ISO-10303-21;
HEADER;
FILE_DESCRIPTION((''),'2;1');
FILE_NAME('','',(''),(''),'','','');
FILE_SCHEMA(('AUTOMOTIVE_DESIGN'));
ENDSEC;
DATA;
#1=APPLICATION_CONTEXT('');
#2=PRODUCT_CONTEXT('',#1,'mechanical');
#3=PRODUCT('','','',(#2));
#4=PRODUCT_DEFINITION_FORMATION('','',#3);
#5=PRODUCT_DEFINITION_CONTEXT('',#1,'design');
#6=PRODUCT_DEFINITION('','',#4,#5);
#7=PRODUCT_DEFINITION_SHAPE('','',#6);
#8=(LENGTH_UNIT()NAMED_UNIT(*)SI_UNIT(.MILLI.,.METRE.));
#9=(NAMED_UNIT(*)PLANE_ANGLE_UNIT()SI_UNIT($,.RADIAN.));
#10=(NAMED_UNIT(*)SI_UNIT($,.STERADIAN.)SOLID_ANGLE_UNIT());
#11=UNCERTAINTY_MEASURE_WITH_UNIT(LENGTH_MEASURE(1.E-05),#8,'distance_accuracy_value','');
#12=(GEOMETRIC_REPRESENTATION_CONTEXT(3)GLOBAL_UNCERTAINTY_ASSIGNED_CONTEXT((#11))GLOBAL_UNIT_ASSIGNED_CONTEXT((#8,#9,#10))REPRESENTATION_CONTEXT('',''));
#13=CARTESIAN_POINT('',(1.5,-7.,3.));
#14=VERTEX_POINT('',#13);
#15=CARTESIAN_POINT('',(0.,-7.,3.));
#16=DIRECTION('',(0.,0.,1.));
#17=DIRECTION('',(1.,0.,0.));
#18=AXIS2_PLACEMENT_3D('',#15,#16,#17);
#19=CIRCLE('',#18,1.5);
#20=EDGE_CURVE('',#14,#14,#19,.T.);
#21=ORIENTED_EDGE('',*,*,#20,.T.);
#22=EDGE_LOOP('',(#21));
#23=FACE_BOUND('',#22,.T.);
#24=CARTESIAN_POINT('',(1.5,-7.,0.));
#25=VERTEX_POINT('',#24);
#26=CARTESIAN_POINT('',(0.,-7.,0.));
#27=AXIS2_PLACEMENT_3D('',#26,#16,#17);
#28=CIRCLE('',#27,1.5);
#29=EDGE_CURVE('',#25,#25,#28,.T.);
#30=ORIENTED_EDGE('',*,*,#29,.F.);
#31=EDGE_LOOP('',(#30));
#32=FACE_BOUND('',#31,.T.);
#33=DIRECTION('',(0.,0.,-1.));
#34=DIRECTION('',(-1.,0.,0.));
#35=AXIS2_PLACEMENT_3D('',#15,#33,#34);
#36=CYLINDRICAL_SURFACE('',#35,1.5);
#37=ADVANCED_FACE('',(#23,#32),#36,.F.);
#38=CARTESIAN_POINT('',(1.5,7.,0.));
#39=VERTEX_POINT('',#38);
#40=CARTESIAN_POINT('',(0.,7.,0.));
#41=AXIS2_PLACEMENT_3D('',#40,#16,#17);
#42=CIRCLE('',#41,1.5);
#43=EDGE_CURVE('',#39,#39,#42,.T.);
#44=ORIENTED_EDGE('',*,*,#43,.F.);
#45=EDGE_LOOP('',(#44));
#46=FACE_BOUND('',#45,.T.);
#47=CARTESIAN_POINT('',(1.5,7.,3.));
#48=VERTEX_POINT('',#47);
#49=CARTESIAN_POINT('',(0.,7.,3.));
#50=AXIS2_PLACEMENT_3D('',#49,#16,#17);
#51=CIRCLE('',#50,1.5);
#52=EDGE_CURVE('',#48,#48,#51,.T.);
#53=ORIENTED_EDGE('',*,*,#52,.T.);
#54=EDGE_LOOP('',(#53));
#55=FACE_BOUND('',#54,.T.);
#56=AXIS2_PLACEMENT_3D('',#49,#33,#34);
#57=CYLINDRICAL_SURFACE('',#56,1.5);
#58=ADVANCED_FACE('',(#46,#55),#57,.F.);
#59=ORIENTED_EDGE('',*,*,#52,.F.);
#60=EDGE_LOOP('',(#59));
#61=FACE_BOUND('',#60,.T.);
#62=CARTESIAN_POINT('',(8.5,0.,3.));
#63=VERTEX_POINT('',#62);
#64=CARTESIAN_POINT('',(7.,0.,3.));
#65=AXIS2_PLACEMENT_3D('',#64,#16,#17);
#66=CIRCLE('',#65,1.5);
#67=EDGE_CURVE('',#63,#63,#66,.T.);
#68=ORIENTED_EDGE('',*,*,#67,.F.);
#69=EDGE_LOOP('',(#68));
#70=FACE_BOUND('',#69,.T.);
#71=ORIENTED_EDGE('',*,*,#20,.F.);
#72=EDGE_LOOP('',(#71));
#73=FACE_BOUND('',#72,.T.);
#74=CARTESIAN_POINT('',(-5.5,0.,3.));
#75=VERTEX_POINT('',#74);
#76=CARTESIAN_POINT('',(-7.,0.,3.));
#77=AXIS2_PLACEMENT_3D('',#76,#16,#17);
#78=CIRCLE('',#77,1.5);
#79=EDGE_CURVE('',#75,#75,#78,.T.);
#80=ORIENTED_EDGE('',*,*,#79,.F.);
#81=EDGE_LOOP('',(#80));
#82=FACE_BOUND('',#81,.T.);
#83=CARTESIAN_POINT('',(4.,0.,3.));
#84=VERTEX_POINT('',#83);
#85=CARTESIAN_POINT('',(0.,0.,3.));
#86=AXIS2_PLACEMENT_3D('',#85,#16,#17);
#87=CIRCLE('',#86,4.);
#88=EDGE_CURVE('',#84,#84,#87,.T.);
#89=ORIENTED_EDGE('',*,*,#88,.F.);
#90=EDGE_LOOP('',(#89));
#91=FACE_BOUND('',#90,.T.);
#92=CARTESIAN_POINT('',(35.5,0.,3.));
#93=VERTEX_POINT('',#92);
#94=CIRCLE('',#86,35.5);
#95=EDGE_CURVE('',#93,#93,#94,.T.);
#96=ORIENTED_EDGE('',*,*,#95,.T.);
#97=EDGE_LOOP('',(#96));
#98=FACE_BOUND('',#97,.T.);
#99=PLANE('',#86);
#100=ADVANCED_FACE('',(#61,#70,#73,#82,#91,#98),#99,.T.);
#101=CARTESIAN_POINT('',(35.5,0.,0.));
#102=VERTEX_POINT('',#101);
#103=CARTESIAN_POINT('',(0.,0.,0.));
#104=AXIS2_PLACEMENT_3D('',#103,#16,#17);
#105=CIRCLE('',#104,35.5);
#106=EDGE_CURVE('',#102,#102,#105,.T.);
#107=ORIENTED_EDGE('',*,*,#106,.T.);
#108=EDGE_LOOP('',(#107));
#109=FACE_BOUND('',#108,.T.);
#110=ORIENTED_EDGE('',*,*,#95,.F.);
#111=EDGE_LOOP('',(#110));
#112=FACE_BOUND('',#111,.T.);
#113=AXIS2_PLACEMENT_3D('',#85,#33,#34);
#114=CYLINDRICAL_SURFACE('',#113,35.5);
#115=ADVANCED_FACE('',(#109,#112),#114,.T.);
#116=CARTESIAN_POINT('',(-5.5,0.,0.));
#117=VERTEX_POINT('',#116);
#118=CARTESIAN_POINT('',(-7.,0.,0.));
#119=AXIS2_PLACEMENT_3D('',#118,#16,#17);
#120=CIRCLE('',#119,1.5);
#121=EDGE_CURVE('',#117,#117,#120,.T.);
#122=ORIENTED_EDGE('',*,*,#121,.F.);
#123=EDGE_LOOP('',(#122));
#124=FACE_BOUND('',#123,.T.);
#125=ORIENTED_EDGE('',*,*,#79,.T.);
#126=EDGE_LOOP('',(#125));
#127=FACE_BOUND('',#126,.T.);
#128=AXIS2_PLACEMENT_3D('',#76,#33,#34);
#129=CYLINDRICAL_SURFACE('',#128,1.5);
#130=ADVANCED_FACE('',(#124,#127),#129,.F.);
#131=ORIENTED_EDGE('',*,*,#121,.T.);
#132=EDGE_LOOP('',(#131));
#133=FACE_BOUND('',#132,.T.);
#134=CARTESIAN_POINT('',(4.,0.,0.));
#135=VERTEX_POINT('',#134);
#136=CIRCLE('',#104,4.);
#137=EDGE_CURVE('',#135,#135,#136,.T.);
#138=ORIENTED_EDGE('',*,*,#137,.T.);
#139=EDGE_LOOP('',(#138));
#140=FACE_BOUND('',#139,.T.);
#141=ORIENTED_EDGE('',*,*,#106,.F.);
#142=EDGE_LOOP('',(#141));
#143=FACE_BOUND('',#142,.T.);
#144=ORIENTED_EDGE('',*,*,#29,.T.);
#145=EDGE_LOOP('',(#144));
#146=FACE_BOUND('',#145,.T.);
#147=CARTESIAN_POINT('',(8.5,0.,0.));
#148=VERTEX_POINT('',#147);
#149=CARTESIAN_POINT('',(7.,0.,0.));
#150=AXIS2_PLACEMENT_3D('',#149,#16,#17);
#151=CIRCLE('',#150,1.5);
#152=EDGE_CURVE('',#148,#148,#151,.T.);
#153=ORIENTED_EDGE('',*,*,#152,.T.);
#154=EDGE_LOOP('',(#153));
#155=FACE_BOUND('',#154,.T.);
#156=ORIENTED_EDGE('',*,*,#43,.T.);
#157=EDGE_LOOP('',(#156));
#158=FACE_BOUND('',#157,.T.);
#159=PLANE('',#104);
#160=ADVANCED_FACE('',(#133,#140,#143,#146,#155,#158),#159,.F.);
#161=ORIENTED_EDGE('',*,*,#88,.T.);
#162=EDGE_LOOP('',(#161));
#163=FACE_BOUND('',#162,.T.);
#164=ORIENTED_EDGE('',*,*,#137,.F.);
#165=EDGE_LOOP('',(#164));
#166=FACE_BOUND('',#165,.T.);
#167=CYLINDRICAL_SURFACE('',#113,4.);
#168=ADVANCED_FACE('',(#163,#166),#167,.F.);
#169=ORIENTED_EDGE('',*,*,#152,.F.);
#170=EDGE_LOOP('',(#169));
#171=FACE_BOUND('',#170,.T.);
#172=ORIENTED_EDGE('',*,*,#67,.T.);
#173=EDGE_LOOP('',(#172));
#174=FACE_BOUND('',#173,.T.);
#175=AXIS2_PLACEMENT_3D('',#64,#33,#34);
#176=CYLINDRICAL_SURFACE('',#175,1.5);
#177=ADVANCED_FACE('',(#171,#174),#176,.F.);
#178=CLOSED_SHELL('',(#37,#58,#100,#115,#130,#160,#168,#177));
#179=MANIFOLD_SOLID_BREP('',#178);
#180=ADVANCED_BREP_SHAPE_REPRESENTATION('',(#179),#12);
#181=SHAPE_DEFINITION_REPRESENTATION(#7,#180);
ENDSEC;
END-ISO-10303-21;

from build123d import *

# Parameters (mm, degrees)
SKETCH_1_R      = 35.5
SKETCH_1_R_2    = 4
SKETCH_1_R_3    = 1.5
EXTRUDE_2_DEPTH = 3


with BuildPart() as part:
    # 草图1 → 凸台-拉伸2 (new body)
    with BuildSketch(Plane.XY):
        Circle(SKETCH_1_R)
        Circle(SKETCH_1_R_2, mode=Mode.SUBTRACT)
        with Locations((7, 0)):
            Circle(SKETCH_1_R_3, mode=Mode.SUBTRACT)
        with Locations((0, -7)):
            Circle(SKETCH_1_R_3, mode=Mode.SUBTRACT)
        with Locations((-7, 0)):
            Circle(SKETCH_1_R_3, mode=Mode.SUBTRACT)
        with Locations((0, 7)):
            Circle(SKETCH_1_R_3, mode=Mode.SUBTRACT)
    extrude(amount=EXTRUDE_2_DEPTH)


solid = part.part
